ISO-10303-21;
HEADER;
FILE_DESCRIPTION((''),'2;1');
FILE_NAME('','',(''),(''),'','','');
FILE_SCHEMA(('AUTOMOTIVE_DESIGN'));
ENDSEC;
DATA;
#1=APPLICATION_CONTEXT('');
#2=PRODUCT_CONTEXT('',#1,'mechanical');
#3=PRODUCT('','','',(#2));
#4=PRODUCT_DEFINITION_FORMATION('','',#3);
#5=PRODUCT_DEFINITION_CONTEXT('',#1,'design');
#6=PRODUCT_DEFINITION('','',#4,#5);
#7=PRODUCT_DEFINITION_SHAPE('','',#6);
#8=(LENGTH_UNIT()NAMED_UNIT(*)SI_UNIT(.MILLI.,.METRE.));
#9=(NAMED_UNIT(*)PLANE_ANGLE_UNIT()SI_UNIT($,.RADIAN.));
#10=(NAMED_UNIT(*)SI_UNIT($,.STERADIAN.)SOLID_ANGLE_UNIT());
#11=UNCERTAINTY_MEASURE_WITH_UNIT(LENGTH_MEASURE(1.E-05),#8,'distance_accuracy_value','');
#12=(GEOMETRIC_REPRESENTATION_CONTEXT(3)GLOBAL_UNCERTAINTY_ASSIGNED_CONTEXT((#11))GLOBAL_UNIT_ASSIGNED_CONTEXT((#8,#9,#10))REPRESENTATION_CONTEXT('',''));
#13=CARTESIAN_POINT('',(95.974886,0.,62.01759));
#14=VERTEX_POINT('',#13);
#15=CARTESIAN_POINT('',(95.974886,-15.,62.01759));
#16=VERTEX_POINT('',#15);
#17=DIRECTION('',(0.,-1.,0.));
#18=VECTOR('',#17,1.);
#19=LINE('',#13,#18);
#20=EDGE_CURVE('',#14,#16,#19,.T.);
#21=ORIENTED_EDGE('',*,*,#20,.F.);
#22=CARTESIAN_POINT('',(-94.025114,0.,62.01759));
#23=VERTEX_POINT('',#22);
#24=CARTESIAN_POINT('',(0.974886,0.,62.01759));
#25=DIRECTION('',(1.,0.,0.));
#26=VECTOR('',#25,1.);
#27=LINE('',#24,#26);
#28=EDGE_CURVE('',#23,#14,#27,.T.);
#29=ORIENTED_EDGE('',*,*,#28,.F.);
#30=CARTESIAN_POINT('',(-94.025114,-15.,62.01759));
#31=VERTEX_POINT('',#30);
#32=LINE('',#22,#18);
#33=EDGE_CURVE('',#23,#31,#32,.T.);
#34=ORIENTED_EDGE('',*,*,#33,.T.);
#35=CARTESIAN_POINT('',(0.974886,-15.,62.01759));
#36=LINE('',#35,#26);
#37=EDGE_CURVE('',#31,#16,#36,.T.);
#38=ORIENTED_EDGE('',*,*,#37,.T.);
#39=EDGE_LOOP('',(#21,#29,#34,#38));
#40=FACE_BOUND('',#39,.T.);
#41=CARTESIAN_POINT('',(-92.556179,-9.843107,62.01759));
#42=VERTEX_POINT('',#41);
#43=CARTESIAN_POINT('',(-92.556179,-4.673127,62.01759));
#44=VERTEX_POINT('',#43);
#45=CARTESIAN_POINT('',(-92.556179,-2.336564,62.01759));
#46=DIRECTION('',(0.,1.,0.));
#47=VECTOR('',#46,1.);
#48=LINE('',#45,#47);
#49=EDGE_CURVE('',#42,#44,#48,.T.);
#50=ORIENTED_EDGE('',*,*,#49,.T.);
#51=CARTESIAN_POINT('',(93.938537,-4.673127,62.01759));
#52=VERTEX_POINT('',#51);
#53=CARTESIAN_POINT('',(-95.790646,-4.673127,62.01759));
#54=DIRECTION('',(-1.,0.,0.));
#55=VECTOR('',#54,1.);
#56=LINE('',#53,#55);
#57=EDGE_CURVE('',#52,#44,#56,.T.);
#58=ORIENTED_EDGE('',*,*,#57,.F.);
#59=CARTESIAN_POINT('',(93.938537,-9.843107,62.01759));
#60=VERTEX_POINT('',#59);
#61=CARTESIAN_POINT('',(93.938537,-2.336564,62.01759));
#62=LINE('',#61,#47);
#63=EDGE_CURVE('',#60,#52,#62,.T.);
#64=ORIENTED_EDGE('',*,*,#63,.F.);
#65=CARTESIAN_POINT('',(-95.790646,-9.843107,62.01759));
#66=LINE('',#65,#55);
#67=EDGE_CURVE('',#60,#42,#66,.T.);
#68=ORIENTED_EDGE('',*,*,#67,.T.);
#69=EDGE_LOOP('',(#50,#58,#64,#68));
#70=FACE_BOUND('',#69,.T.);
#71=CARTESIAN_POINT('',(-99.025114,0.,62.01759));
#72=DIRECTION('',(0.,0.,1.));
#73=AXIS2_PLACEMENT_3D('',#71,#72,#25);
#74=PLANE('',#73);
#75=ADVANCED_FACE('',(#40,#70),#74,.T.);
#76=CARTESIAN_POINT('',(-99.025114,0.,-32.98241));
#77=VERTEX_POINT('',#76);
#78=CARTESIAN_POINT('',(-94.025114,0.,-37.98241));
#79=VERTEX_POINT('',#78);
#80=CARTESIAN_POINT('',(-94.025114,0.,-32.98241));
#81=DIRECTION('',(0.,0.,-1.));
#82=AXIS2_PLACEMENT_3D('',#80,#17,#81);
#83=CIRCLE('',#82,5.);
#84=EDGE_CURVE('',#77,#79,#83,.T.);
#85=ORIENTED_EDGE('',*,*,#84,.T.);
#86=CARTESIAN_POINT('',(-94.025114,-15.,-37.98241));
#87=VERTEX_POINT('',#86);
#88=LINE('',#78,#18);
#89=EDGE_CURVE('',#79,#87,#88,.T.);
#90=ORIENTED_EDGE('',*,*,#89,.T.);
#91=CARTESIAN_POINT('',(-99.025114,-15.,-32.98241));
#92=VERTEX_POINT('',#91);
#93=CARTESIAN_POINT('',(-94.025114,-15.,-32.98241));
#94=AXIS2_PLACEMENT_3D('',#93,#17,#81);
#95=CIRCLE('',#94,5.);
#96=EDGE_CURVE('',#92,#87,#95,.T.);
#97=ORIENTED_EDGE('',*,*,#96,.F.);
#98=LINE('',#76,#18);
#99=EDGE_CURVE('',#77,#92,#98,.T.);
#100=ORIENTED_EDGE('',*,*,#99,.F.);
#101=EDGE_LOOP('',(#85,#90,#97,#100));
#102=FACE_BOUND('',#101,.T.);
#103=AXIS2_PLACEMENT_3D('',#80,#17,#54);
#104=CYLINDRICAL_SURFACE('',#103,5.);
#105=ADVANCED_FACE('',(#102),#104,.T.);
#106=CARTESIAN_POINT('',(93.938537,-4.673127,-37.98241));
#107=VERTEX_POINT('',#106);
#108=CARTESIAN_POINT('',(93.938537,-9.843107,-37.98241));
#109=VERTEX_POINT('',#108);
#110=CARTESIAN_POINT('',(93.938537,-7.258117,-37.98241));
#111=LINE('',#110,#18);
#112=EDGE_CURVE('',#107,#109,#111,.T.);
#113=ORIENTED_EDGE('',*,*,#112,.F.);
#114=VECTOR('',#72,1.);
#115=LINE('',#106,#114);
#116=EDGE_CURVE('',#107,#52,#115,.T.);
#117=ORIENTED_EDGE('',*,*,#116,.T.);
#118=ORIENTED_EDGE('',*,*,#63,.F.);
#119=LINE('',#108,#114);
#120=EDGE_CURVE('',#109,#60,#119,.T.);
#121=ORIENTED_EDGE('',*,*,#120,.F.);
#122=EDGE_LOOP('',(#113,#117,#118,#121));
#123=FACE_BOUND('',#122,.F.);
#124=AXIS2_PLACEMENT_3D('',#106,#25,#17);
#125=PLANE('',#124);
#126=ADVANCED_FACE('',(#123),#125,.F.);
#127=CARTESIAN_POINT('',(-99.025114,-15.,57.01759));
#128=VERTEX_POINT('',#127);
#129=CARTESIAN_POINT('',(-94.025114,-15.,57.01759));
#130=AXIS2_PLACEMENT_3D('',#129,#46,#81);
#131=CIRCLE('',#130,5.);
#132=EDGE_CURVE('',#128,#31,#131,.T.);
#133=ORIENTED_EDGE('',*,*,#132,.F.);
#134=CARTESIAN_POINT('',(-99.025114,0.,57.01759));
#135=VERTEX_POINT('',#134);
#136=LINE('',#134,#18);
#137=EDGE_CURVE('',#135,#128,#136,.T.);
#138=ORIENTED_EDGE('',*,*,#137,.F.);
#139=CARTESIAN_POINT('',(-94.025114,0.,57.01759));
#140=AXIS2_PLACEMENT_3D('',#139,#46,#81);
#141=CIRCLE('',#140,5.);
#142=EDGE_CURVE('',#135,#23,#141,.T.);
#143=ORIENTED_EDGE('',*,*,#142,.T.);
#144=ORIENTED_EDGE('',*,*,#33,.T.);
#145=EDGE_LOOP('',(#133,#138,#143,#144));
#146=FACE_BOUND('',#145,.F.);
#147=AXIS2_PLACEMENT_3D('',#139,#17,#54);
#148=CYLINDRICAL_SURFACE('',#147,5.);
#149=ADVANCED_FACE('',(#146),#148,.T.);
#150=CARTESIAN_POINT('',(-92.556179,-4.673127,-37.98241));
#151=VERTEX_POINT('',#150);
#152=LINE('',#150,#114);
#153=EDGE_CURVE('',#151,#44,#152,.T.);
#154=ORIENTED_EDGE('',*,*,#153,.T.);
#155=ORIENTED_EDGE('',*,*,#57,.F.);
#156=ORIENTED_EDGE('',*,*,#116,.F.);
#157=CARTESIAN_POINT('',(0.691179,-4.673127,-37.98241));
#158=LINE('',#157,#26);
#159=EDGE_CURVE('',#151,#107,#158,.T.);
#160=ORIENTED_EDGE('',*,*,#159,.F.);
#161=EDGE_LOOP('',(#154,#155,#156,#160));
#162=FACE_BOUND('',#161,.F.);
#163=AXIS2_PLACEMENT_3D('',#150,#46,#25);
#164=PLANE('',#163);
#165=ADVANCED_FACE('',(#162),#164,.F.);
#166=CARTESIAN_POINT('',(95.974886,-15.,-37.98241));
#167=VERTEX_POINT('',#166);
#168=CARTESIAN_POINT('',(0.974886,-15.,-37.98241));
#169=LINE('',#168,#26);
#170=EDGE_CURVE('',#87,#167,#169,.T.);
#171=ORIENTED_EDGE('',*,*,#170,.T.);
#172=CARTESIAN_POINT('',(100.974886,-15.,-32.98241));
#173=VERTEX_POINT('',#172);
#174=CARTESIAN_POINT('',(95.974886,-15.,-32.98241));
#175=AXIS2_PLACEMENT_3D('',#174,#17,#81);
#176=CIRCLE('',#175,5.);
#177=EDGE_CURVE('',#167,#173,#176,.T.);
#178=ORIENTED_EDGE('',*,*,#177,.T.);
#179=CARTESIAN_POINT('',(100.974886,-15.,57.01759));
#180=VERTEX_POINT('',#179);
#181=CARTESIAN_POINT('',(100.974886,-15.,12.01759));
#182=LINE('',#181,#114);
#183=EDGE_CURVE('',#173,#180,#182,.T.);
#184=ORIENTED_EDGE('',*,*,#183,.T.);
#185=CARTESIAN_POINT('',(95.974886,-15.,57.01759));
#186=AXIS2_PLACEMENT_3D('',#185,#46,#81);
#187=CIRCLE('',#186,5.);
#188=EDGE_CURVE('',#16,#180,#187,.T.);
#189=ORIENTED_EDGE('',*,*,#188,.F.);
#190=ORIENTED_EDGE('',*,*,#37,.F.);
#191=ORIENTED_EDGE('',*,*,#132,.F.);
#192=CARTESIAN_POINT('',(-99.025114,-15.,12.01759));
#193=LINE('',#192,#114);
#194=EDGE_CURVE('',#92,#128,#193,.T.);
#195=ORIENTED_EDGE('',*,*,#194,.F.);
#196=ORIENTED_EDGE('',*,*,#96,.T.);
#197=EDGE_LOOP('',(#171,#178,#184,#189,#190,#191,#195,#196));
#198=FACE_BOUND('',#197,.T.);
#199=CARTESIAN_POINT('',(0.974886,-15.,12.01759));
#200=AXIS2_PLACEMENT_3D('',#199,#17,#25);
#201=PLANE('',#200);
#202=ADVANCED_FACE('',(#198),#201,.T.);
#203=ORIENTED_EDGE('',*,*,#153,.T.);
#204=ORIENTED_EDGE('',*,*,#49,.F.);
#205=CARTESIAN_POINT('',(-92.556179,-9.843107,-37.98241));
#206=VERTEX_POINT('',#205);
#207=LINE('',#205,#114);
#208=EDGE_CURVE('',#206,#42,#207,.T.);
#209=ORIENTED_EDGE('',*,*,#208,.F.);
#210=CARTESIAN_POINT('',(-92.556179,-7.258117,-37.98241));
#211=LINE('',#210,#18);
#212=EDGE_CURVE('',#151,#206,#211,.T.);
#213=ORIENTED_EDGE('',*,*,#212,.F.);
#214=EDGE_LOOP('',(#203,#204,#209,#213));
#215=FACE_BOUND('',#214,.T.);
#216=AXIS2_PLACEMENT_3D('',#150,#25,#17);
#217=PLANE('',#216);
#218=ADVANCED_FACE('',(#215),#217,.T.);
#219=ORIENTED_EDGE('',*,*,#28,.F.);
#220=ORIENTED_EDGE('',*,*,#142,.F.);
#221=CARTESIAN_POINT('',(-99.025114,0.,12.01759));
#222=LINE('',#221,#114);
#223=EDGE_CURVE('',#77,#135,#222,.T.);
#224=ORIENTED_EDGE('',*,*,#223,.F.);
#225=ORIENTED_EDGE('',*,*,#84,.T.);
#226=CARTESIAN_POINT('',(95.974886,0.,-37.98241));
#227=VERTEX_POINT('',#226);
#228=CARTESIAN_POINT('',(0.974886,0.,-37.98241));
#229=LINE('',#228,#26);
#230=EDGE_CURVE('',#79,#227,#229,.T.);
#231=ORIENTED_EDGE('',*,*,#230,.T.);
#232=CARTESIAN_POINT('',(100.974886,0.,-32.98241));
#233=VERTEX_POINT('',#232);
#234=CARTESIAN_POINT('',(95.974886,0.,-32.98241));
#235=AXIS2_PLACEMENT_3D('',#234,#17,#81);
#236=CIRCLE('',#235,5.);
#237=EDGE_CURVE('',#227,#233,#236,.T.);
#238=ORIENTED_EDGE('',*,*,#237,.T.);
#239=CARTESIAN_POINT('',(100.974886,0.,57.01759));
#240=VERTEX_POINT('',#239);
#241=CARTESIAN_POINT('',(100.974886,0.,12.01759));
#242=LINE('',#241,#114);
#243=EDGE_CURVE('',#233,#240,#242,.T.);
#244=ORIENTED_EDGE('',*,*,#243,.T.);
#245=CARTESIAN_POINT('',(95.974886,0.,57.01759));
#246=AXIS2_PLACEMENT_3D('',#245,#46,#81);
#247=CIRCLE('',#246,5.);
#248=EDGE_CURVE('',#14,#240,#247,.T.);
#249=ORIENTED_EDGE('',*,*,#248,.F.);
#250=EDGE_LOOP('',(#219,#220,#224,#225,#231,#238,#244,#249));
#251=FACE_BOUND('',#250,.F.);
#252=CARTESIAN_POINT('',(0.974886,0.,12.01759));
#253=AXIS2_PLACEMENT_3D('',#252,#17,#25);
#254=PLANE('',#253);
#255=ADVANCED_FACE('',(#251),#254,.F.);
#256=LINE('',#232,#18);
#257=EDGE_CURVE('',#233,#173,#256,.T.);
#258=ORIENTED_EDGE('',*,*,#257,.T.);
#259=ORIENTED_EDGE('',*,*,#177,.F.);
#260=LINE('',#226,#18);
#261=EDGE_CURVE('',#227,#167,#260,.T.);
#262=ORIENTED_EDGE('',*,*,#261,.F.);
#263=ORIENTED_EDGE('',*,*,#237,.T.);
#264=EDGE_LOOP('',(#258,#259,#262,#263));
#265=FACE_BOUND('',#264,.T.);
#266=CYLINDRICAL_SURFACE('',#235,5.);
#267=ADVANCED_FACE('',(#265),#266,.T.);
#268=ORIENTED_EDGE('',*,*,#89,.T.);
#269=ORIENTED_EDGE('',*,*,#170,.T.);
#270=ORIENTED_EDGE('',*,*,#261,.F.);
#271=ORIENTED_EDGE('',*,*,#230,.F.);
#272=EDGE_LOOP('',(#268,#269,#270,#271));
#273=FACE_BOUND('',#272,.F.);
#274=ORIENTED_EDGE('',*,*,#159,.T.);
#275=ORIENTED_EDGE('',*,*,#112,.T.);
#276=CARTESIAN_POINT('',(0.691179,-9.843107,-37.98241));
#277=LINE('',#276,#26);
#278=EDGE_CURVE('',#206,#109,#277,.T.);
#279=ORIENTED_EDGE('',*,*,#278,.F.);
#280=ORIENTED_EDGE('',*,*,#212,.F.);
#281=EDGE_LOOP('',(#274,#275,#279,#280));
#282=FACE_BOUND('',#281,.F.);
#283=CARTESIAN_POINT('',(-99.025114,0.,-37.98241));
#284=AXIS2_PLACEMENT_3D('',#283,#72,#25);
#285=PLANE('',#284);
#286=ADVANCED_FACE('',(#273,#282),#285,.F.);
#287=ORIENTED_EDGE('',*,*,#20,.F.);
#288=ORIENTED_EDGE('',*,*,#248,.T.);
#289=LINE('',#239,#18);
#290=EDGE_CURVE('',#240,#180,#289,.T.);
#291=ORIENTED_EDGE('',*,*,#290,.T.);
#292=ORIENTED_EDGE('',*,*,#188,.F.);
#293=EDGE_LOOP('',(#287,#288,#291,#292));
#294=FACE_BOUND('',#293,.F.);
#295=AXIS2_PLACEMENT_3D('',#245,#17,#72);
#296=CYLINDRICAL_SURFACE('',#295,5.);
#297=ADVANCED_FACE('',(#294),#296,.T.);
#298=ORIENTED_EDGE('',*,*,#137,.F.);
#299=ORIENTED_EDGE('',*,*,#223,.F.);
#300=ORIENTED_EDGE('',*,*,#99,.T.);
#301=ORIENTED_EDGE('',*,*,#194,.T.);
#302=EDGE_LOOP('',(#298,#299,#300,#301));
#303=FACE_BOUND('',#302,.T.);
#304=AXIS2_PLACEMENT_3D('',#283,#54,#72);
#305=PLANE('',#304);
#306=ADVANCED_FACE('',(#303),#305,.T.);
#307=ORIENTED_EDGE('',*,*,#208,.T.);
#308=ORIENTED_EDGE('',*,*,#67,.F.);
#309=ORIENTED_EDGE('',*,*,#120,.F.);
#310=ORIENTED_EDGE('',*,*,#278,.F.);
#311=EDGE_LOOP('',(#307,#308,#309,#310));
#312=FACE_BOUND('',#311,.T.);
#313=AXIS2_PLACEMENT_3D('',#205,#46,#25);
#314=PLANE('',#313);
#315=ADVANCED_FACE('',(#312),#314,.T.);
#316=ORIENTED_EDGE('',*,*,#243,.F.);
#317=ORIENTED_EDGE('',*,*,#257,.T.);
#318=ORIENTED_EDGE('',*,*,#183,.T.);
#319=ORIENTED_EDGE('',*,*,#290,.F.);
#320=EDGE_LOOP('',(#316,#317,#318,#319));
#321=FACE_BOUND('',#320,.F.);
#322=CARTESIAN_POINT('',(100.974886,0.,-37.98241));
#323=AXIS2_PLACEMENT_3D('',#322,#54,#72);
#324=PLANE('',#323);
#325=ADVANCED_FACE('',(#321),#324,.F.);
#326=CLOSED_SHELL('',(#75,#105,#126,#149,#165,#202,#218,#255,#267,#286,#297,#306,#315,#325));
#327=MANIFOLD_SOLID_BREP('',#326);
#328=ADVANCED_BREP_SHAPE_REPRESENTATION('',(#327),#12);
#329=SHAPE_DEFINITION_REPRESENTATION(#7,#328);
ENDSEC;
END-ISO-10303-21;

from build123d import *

# Parameters (mm, degrees)
F0_W          = 200
F0_H          = 100
F1_DEPTH      = 15
F2_W          = 186.494716
F2_H          = 5.16998
F3_DEPTH      = 25.4
F3_DEPTH_BACK = 187.415063
F4_R          = 5


with BuildPart() as f1:
    # F0 (on Front) → F1 (new body)
    with BuildSketch(Plane.XZ):
        with Locations((0.974886, 12.01759)):
            Rectangle(F0_W, F0_H)
    extrude(amount=F1_DEPTH)

    # F2 (on face) → F3 (cut, two sides)
    with BuildSketch(Plane(origin=(0, 0, -37.98241), x_dir=(1, 0, 0), z_dir=(0, 0, -1))) as f3_sk:
        with Locations((0.691179, 7.258117)):
            Rectangle(F2_W, F2_H)
    extrude(amount=F3_DEPTH, mode=Mode.SUBTRACT)
    extrude(f3_sk.sketch, amount=-F3_DEPTH_BACK, mode=Mode.SUBTRACT)

    # F4
    f4_edges = [f1.edges().sort_by_distance(p)[0] for p in [
        (-99.025114, -7.5, 62.01759),
        (100.974886, -7.5, 62.01759),
        (100.974886, -7.5, -37.98241),
        (-99.025114, -7.5, -37.98241),
    ]]
    fillet(f4_edges, radius=F4_R)


solid = f1.part
